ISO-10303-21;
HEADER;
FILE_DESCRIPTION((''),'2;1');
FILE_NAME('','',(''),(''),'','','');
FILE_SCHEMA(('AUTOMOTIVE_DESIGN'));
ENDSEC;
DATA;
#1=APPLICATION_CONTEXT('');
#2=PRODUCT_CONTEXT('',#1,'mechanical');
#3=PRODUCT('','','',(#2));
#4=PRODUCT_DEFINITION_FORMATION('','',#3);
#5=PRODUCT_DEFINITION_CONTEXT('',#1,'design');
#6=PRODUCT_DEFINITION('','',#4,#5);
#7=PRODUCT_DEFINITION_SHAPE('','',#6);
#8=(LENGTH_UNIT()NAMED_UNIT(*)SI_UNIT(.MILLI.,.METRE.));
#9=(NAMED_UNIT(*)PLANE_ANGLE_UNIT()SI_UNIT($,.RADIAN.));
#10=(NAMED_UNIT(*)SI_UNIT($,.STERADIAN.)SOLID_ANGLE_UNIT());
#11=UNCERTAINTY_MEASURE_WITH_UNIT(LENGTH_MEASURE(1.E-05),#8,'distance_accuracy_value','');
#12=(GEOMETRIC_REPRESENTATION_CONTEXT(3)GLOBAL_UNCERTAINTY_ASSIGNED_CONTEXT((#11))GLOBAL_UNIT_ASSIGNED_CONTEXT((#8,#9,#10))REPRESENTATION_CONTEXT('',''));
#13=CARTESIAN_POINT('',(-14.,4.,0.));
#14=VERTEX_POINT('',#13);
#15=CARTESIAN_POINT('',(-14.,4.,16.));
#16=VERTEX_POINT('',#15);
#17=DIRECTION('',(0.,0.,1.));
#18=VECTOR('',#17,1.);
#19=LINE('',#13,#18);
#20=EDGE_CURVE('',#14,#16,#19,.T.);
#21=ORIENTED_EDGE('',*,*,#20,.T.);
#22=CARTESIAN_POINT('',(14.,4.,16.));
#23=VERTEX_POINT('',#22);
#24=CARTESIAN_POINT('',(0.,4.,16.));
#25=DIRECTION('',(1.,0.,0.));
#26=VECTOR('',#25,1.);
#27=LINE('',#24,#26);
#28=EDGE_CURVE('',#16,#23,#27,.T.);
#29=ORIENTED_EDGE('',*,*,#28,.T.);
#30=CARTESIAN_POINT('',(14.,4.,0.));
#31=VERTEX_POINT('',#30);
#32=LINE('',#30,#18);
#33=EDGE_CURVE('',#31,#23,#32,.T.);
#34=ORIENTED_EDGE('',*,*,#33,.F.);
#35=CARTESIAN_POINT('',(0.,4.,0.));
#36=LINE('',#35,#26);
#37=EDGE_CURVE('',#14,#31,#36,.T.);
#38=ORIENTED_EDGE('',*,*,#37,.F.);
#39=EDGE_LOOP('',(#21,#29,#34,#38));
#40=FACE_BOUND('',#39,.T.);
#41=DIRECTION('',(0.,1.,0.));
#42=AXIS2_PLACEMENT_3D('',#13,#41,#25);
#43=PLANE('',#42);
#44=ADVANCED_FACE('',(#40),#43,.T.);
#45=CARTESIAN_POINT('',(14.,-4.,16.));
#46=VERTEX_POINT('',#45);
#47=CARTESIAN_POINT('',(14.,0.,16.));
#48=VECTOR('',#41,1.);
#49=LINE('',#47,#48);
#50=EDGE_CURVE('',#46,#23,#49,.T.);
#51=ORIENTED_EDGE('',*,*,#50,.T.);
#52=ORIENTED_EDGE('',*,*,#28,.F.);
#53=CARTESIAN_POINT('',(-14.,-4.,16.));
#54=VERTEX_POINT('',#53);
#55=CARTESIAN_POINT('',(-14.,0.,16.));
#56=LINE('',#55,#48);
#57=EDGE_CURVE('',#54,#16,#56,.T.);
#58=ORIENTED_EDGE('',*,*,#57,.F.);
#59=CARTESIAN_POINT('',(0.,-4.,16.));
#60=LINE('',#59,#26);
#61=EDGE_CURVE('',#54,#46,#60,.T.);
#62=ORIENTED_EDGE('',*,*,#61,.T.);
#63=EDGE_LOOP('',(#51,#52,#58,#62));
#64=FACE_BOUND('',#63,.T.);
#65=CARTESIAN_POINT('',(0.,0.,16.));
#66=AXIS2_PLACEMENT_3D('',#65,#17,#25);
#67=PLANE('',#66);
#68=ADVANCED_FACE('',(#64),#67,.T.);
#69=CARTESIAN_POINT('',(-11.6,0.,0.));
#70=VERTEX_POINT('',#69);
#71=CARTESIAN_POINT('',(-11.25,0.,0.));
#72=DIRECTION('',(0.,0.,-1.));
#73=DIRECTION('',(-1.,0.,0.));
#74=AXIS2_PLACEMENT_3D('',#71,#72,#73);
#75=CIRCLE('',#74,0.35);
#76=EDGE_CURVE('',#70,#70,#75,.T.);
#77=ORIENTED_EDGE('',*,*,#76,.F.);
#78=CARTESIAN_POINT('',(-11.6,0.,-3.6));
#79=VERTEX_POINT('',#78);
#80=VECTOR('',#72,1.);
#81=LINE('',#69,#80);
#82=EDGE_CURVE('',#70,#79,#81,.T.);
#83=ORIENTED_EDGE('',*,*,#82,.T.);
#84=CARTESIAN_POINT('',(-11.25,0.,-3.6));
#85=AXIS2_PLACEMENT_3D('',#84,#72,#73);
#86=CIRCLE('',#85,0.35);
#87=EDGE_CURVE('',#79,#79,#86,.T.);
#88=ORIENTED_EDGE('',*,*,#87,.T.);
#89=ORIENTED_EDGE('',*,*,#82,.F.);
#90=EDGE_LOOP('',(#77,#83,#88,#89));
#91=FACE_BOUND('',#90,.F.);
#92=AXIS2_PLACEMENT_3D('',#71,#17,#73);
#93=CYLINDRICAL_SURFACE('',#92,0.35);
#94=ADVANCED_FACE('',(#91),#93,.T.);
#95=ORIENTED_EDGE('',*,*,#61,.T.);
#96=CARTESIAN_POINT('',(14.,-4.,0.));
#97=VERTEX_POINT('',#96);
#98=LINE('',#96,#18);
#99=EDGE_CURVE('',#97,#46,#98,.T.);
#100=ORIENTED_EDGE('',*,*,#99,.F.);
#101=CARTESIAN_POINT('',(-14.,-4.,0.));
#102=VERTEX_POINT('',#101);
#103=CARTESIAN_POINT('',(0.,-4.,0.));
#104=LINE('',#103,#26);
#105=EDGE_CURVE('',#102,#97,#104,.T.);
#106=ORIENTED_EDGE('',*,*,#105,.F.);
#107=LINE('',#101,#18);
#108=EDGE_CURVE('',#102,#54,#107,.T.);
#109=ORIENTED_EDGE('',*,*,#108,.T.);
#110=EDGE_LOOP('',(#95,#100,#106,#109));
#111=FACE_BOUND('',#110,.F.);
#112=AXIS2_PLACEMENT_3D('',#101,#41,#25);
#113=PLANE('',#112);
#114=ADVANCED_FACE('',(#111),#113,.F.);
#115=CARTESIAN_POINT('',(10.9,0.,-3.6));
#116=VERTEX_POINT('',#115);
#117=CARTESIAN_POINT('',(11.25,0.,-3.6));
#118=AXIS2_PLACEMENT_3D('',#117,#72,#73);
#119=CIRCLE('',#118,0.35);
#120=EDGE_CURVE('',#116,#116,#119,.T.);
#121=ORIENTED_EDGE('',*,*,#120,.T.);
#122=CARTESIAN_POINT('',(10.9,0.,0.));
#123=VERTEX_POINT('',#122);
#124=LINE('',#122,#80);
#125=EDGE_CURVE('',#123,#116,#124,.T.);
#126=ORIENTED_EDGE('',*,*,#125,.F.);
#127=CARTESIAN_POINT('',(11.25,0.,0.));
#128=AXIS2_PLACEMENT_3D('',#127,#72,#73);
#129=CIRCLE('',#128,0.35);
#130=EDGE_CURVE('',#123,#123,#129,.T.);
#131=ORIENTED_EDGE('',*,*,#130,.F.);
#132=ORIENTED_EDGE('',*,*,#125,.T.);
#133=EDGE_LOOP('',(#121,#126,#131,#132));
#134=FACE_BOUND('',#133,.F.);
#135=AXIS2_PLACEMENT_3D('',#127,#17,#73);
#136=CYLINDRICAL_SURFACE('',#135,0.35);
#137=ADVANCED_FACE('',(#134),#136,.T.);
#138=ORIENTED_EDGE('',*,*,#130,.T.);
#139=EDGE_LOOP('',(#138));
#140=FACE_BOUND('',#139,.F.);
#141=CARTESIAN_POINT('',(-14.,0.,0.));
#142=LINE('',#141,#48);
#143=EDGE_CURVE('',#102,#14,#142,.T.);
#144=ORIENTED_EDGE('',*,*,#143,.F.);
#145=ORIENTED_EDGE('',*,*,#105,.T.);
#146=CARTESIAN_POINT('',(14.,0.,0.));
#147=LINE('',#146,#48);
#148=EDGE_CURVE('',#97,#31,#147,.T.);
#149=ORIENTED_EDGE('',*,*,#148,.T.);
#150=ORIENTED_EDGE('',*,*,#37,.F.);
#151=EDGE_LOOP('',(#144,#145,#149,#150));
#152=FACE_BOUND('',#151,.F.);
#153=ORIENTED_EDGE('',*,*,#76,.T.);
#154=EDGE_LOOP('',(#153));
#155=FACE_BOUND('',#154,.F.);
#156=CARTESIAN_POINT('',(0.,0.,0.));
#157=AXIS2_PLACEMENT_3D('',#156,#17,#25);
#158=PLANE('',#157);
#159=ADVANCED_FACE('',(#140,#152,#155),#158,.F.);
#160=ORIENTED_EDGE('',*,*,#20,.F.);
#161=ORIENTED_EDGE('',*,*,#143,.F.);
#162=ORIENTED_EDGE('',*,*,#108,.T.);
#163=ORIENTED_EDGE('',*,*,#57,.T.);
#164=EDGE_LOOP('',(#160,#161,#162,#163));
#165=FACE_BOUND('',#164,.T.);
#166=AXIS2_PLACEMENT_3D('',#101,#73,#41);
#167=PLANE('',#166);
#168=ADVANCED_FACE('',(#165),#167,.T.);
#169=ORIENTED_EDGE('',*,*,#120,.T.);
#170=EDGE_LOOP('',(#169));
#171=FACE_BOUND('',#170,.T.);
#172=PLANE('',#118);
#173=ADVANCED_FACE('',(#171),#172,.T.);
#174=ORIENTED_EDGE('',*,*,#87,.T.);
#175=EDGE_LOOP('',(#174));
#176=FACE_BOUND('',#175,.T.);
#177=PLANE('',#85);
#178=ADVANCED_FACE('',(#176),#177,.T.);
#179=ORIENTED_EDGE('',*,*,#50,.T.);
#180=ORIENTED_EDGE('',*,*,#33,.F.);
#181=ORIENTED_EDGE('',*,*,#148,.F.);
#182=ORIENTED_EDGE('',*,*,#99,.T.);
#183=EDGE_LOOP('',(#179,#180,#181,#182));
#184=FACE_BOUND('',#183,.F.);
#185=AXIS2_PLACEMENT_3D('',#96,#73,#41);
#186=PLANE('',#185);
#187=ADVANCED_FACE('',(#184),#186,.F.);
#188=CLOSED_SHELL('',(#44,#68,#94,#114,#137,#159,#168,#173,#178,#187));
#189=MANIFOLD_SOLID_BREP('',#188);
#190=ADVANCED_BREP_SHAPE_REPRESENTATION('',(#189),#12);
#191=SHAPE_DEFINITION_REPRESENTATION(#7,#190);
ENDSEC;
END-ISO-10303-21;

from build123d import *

# Parameters (mm, degrees)
ESQUISSE1_W        = 28
ESQUISSE1_H        = 8
BOSS_EXTRU_1_DEPTH = 16
ESQUISSE2_R        = 0.35
BOSS_EXTRU_2_DEPTH = 3.6


with BuildPart() as part:
    # Esquisse1 → Boss.-Extru.1 (new body)
    with BuildSketch(Plane.XY):
        Rectangle(ESQUISSE1_W, ESQUISSE1_H)
    extrude(amount=BOSS_EXTRU_1_DEPTH)

    # Esquisse2 → Boss.-Extru.2 (add)
    with BuildSketch(Plane(origin=(0, 0, 0), x_dir=(-1, 0, 0), z_dir=(0, 0, -1))):
        with Locations((-11.25, 0)):
            Circle(ESQUISSE2_R)
        with Locations((11.25, 0)):
            Circle(ESQUISSE2_R)
    extrude(amount=BOSS_EXTRU_2_DEPTH)


solid = part.part
